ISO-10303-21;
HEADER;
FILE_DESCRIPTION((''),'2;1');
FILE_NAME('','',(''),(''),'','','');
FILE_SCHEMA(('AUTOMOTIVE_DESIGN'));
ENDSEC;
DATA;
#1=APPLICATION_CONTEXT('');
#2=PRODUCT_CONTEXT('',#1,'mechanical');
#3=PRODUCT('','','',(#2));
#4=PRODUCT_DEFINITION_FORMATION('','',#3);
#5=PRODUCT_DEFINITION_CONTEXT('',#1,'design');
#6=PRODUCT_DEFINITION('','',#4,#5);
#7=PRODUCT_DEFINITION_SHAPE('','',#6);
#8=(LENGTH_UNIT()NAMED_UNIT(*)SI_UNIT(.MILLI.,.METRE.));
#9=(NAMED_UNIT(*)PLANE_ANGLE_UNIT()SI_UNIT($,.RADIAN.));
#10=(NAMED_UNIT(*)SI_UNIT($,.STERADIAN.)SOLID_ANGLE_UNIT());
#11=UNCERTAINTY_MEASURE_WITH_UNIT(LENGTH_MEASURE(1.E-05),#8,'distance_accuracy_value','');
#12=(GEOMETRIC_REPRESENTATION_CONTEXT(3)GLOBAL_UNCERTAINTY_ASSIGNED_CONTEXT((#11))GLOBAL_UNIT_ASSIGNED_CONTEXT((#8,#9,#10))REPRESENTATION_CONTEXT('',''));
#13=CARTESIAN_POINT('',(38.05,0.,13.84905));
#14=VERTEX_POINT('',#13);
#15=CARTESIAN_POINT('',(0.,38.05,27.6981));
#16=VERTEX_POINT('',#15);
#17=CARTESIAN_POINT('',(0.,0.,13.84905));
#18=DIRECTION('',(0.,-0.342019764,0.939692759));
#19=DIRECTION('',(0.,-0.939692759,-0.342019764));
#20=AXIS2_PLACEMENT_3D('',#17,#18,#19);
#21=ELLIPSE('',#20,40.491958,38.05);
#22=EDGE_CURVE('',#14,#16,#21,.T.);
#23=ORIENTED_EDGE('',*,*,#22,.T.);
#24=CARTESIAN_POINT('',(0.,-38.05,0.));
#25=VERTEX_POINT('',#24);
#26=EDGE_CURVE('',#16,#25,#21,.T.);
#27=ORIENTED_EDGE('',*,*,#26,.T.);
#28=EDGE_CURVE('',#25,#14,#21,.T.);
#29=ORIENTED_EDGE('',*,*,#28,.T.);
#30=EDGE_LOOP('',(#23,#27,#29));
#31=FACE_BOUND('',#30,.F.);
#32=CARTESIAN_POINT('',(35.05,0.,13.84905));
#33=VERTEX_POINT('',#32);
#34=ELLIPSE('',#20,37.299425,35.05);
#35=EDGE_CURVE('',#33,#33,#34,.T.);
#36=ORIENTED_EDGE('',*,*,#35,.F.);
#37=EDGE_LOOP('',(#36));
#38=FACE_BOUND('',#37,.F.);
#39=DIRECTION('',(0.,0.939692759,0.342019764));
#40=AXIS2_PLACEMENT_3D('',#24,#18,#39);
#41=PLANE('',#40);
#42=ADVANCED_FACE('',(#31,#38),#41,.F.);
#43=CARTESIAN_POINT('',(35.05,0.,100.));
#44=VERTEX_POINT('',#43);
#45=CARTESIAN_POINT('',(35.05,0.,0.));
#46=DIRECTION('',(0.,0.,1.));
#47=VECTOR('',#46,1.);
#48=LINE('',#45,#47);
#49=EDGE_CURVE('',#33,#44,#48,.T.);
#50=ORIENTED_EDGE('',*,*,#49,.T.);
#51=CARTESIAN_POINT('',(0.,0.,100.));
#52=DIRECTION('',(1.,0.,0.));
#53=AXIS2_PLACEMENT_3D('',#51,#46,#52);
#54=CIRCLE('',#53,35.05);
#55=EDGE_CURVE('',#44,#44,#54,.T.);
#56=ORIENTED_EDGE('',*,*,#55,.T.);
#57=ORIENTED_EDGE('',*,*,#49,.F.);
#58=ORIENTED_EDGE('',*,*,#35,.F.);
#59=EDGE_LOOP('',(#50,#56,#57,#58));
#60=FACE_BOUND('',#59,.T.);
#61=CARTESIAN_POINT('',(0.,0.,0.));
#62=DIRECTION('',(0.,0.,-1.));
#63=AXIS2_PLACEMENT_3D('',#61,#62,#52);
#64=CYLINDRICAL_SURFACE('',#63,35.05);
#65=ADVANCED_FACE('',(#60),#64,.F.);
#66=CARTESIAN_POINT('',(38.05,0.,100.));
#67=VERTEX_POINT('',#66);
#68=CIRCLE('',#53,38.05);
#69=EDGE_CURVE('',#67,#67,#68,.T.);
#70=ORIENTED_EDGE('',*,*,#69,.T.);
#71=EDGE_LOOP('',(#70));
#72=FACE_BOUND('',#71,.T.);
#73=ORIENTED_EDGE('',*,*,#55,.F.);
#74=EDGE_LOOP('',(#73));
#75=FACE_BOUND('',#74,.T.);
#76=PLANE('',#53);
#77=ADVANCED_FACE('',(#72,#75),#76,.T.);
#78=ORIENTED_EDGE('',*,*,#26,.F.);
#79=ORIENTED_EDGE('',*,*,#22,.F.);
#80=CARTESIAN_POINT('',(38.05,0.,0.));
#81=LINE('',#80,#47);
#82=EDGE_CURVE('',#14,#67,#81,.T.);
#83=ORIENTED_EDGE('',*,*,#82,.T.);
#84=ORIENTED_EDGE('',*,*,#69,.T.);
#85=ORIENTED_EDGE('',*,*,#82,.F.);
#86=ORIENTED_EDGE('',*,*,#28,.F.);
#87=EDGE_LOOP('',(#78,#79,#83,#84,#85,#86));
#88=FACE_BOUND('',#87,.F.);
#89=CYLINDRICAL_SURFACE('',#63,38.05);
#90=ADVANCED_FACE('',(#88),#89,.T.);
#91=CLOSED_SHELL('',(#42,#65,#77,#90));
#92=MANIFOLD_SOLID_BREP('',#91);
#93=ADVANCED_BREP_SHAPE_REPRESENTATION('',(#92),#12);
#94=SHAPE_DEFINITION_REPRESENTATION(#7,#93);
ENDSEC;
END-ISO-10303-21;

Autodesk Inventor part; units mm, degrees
ref_plane "YZ Plane" through (0, 0, 0) normal (1, 0, 0) x (0, 1, 0)
ref_plane "XZ Plane" through (0, 0, 0) normal (0, 1, 0) x (-1, 0, 0)
ref_plane "XY Plane" through (0, 0, 0) normal (0, 0, 1) x (1, 0, 0)
sketch "Sketch1" plane through (0, 0, 0) normal (0, 0, 1) x (1, 0, 0)
  circle A0 centre (0, 0) radius 38.05
  circle A1 centre (0, 0) radius 35.05
  dimension "d0" = 76.1
  dimension "d1" = 3
extrude "Extrusion1" add sketch "Sketch1" along normal blind 100
sketch "Sketch2" plane through (0, 0, 0) normal (1, 0, 0) x (0, 1, 0)
  line L0 (38.05, 100) -> (-38.05, 100) projected
  line L1 (38.05, 0) -> (-38.05, 0) projected
  line L2 (-38.05, 0) -> (38.05, 27.6981)
  line L3 (38.05, 27.6981) -> (38.05, 0)
  line L4 (38.05, 0) -> (38.05, 100) projected
  point P0 (0, 0)
  dimension "d4" = 20
extrude "Extrusion2" cut sketch "Sketch2" along normal through all both and the other way through all
properties part number "MSC 607 ROCKET TUBE 7"
